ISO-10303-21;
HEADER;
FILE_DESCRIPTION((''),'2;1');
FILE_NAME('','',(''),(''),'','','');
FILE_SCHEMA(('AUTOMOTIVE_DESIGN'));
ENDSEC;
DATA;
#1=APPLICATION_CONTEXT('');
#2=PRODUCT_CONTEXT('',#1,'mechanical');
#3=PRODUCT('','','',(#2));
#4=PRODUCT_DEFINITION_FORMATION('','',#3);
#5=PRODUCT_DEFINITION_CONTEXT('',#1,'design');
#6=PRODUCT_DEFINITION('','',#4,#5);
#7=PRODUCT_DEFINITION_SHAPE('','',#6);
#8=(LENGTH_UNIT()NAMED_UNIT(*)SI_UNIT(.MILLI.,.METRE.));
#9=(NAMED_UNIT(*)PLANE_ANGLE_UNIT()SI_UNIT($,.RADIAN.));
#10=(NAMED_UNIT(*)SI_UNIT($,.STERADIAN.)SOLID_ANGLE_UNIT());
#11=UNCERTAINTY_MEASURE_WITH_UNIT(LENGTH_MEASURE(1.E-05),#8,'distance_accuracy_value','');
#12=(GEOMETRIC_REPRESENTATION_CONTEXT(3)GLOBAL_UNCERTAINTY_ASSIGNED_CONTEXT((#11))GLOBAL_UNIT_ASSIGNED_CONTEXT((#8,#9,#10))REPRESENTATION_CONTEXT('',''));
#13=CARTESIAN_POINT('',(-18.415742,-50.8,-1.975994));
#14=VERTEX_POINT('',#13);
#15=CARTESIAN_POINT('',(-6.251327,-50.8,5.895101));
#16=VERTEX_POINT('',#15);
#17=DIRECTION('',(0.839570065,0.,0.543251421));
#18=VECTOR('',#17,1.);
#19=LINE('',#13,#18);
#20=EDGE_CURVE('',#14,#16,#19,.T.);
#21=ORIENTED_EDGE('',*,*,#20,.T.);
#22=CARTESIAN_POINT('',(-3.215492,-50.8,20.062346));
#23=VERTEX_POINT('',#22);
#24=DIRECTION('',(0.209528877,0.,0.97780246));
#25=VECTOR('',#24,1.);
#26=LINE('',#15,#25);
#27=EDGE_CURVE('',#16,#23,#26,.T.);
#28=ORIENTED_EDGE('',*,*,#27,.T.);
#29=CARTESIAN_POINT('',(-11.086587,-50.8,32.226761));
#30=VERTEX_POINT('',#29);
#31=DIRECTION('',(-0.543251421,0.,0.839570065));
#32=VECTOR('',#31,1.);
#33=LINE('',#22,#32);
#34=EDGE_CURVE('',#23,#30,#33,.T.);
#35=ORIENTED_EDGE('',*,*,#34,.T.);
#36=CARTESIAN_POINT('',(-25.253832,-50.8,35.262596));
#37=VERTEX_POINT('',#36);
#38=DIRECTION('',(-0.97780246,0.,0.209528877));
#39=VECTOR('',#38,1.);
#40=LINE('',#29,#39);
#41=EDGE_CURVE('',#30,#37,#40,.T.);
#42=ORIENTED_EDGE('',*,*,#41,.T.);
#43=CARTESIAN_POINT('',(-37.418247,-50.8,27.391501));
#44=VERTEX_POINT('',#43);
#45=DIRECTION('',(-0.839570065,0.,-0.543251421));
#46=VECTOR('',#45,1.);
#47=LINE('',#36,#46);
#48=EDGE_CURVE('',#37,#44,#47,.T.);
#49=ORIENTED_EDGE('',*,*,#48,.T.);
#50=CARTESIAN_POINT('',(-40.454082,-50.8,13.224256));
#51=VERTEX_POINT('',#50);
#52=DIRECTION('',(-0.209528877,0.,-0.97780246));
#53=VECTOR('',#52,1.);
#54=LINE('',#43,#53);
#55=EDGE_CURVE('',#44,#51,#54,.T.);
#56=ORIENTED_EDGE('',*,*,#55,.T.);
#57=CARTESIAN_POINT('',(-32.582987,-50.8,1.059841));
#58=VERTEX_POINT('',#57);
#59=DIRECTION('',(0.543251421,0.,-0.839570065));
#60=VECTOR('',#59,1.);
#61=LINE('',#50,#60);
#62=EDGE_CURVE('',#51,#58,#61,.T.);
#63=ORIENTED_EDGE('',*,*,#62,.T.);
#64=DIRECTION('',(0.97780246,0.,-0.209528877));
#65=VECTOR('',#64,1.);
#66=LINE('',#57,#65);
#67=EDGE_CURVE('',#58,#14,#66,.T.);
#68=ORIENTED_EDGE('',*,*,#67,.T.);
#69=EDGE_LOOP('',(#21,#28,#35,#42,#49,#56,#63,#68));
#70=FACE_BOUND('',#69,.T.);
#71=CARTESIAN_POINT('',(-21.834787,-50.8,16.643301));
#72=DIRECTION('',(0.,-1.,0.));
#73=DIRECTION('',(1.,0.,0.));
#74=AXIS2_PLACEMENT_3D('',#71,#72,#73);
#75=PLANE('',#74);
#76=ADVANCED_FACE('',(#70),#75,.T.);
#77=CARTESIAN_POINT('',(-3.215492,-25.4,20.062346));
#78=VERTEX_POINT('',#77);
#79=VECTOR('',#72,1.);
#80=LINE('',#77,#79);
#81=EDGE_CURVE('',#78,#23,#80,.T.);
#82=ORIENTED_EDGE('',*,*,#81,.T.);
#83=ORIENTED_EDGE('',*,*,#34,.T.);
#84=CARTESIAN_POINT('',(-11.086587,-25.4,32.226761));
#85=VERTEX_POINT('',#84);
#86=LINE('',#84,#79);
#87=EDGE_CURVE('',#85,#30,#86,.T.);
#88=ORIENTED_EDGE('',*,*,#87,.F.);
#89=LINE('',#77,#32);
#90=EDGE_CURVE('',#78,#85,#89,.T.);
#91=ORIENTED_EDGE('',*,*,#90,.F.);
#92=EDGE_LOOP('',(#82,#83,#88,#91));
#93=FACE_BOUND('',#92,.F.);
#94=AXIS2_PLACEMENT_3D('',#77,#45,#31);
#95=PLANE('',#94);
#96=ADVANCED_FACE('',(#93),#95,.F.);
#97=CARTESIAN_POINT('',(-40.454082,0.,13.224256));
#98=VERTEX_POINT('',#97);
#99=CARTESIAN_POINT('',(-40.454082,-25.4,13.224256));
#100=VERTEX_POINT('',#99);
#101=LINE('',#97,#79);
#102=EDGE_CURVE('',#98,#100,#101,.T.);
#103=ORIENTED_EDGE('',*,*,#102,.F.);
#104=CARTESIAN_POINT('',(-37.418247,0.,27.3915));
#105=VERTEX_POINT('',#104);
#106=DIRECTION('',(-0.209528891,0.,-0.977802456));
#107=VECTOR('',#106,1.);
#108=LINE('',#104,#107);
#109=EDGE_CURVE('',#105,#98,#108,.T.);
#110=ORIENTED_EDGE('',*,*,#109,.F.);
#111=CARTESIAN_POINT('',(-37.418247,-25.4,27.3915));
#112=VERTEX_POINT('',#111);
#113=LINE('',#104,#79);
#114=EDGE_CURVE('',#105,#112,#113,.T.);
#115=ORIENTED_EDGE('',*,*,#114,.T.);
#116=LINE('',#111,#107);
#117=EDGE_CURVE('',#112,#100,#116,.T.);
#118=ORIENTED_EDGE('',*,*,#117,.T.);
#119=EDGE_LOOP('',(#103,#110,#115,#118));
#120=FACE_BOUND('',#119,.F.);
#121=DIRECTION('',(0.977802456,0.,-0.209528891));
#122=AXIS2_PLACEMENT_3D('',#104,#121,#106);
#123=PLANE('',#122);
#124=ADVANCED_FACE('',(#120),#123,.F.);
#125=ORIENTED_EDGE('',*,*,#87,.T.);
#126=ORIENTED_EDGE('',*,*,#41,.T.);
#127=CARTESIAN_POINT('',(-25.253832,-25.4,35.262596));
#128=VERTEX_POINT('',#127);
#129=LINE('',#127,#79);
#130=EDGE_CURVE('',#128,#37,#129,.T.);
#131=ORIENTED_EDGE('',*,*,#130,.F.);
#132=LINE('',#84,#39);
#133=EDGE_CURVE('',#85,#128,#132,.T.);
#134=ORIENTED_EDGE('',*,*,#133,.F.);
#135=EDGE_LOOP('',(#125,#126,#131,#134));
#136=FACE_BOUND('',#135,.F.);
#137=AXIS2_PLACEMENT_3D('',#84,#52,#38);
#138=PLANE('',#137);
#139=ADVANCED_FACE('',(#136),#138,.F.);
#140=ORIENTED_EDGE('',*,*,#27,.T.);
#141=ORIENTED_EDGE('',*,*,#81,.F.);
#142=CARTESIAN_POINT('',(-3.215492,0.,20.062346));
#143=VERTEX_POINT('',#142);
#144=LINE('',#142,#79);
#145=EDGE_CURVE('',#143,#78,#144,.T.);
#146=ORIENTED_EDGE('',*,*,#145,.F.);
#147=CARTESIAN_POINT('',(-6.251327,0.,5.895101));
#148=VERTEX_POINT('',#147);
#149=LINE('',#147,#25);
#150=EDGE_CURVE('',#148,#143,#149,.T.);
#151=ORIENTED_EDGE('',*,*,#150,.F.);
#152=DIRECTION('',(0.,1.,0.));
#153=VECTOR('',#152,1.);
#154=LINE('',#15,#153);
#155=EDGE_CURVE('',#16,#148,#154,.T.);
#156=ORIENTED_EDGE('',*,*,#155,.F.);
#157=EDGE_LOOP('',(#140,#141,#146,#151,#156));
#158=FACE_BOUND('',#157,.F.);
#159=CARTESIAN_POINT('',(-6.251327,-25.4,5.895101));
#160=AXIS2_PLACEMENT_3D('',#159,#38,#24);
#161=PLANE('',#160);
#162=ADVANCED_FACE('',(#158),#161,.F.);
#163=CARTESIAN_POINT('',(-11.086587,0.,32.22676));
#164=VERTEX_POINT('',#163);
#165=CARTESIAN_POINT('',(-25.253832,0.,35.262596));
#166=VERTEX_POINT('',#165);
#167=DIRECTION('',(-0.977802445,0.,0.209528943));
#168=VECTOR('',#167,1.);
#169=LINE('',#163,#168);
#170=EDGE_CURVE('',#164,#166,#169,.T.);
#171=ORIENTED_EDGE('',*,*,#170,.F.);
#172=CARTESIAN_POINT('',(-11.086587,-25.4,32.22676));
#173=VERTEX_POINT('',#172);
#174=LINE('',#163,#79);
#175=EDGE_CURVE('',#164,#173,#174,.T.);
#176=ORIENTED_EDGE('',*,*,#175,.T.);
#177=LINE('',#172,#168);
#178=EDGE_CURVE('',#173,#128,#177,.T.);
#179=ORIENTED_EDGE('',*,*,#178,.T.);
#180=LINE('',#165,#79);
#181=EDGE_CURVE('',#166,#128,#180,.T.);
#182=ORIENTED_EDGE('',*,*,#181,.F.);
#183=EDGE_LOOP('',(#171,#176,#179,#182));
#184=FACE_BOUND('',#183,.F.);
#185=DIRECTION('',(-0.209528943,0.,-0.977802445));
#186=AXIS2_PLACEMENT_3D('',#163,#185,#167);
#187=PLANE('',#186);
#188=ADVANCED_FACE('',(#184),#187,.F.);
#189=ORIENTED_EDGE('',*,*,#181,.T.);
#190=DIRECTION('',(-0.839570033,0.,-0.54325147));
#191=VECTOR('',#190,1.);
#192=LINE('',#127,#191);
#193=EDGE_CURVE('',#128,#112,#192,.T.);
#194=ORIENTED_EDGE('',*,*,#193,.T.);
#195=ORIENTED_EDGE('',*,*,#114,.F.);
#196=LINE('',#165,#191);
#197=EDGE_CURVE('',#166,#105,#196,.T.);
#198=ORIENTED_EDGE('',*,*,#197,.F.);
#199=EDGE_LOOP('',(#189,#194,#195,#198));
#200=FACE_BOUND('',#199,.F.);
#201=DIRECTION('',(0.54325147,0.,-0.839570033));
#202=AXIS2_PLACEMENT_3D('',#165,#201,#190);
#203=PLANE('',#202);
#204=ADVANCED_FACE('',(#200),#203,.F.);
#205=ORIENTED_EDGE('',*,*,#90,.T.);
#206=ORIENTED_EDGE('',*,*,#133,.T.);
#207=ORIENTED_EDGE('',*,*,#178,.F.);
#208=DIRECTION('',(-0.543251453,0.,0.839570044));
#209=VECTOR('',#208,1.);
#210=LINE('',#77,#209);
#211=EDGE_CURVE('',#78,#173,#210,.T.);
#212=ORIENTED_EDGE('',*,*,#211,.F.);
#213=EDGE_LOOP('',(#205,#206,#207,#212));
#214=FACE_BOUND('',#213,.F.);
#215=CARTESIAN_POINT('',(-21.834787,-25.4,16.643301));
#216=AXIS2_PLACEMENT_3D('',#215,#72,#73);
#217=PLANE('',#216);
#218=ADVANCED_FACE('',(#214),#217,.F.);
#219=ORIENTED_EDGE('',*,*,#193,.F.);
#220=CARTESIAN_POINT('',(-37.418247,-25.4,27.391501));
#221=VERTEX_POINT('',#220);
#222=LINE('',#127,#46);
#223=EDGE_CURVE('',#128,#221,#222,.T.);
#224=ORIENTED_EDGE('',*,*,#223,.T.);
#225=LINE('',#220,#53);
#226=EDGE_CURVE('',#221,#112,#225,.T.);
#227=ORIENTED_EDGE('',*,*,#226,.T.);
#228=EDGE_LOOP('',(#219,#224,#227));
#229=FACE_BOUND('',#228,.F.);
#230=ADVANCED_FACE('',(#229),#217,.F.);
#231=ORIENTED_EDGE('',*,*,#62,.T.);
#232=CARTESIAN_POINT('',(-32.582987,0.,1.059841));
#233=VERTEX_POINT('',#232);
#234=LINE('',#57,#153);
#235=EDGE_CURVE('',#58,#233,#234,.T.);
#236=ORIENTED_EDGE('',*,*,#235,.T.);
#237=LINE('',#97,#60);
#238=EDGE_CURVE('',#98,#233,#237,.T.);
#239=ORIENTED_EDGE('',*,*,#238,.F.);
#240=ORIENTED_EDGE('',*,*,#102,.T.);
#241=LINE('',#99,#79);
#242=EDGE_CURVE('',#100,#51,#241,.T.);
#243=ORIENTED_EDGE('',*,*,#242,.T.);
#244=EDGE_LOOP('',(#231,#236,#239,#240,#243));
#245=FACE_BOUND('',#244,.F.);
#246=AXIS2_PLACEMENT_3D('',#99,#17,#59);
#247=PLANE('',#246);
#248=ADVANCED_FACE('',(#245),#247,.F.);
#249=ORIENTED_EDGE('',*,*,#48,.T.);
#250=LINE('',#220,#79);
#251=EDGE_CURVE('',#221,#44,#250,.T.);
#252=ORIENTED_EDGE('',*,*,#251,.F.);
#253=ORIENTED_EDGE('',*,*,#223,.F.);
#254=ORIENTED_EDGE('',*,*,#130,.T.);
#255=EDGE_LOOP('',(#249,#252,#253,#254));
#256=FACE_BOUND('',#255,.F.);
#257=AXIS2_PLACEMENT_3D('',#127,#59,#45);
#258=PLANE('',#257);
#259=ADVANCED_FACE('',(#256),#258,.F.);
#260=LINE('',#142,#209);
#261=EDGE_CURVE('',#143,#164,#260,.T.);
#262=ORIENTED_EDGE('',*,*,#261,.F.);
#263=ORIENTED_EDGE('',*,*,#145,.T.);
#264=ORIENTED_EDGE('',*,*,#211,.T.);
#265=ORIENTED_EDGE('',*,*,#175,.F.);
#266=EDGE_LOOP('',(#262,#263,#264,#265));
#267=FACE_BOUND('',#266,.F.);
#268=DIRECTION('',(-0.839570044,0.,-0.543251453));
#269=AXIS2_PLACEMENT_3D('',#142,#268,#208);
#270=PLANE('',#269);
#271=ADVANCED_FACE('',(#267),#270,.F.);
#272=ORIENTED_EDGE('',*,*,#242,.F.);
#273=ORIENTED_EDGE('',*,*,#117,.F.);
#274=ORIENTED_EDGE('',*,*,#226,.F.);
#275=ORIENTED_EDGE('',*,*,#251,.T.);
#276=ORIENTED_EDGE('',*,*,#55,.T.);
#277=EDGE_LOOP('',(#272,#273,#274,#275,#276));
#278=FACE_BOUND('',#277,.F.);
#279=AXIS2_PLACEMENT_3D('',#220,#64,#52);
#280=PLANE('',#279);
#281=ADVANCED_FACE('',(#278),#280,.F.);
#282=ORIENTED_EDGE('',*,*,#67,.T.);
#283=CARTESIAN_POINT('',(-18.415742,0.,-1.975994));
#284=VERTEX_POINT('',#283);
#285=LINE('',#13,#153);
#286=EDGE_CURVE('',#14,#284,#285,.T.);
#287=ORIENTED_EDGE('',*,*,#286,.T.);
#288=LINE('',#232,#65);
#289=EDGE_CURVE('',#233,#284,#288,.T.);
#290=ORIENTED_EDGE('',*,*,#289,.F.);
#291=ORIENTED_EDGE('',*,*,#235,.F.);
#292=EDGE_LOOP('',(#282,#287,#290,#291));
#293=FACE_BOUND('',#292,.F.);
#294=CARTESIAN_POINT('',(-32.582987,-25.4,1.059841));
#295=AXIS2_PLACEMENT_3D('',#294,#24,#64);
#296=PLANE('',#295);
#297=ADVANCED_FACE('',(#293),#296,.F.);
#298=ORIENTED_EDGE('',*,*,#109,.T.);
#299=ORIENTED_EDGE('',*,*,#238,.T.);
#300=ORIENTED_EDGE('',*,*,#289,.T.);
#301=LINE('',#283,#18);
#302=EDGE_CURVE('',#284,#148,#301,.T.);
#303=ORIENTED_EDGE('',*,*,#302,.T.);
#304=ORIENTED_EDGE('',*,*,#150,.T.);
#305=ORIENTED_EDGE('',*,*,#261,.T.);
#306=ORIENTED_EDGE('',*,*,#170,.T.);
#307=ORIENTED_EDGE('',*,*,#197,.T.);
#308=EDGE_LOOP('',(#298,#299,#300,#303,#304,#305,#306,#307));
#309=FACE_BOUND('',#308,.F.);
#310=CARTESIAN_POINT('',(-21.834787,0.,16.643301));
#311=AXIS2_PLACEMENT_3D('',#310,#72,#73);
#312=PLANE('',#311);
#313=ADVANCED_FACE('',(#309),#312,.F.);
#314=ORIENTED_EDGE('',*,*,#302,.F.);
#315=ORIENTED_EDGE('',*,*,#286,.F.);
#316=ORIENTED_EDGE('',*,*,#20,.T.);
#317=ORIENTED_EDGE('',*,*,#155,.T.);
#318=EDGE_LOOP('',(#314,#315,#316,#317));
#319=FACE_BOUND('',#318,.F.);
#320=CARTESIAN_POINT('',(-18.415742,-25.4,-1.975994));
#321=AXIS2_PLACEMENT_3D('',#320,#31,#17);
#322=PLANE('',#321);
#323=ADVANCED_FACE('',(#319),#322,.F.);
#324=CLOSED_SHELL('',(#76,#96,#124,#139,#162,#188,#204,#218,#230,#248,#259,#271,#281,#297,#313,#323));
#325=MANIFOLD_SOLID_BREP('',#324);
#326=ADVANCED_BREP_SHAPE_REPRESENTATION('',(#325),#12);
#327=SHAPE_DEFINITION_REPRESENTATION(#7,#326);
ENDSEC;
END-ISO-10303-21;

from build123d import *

# Parameters (mm, degrees)
F1_DEPTH = 25.4
F2_DEPTH = 25.4


with BuildPart() as f1:
    # F0 (on Front) → F1 (new body)
    with BuildSketch(Plane.XZ):
        Polygon((-11.086587, 32.22676), (-25.253832, 35.262596), (-37.418247, 27.3915), (-40.454082, 13.224256), (-32.582987, 1.059841), (-18.415742, -1.975994), (-6.251327, 5.895101), (-3.215492, 20.062346), align=None)
    extrude(amount=F1_DEPTH)

    # F1_face (on face) → F2 (join)
    with BuildSketch(Plane(origin=(-21.834787, -25.4, 16.643301), x_dir=(1, 0, 0), z_dir=(0, -1, 0))):
        Polygon((15.58346, -10.7482), (18.619295, 3.419045), (10.7482, 15.58346), (-3.419045, 18.619295), (-15.58346, 10.7482), (-18.619295, -3.419045), (-10.7482, -15.58346), (3.419045, -18.619295), align=None)
    extrude(amount=F2_DEPTH)


solid = f1.part
